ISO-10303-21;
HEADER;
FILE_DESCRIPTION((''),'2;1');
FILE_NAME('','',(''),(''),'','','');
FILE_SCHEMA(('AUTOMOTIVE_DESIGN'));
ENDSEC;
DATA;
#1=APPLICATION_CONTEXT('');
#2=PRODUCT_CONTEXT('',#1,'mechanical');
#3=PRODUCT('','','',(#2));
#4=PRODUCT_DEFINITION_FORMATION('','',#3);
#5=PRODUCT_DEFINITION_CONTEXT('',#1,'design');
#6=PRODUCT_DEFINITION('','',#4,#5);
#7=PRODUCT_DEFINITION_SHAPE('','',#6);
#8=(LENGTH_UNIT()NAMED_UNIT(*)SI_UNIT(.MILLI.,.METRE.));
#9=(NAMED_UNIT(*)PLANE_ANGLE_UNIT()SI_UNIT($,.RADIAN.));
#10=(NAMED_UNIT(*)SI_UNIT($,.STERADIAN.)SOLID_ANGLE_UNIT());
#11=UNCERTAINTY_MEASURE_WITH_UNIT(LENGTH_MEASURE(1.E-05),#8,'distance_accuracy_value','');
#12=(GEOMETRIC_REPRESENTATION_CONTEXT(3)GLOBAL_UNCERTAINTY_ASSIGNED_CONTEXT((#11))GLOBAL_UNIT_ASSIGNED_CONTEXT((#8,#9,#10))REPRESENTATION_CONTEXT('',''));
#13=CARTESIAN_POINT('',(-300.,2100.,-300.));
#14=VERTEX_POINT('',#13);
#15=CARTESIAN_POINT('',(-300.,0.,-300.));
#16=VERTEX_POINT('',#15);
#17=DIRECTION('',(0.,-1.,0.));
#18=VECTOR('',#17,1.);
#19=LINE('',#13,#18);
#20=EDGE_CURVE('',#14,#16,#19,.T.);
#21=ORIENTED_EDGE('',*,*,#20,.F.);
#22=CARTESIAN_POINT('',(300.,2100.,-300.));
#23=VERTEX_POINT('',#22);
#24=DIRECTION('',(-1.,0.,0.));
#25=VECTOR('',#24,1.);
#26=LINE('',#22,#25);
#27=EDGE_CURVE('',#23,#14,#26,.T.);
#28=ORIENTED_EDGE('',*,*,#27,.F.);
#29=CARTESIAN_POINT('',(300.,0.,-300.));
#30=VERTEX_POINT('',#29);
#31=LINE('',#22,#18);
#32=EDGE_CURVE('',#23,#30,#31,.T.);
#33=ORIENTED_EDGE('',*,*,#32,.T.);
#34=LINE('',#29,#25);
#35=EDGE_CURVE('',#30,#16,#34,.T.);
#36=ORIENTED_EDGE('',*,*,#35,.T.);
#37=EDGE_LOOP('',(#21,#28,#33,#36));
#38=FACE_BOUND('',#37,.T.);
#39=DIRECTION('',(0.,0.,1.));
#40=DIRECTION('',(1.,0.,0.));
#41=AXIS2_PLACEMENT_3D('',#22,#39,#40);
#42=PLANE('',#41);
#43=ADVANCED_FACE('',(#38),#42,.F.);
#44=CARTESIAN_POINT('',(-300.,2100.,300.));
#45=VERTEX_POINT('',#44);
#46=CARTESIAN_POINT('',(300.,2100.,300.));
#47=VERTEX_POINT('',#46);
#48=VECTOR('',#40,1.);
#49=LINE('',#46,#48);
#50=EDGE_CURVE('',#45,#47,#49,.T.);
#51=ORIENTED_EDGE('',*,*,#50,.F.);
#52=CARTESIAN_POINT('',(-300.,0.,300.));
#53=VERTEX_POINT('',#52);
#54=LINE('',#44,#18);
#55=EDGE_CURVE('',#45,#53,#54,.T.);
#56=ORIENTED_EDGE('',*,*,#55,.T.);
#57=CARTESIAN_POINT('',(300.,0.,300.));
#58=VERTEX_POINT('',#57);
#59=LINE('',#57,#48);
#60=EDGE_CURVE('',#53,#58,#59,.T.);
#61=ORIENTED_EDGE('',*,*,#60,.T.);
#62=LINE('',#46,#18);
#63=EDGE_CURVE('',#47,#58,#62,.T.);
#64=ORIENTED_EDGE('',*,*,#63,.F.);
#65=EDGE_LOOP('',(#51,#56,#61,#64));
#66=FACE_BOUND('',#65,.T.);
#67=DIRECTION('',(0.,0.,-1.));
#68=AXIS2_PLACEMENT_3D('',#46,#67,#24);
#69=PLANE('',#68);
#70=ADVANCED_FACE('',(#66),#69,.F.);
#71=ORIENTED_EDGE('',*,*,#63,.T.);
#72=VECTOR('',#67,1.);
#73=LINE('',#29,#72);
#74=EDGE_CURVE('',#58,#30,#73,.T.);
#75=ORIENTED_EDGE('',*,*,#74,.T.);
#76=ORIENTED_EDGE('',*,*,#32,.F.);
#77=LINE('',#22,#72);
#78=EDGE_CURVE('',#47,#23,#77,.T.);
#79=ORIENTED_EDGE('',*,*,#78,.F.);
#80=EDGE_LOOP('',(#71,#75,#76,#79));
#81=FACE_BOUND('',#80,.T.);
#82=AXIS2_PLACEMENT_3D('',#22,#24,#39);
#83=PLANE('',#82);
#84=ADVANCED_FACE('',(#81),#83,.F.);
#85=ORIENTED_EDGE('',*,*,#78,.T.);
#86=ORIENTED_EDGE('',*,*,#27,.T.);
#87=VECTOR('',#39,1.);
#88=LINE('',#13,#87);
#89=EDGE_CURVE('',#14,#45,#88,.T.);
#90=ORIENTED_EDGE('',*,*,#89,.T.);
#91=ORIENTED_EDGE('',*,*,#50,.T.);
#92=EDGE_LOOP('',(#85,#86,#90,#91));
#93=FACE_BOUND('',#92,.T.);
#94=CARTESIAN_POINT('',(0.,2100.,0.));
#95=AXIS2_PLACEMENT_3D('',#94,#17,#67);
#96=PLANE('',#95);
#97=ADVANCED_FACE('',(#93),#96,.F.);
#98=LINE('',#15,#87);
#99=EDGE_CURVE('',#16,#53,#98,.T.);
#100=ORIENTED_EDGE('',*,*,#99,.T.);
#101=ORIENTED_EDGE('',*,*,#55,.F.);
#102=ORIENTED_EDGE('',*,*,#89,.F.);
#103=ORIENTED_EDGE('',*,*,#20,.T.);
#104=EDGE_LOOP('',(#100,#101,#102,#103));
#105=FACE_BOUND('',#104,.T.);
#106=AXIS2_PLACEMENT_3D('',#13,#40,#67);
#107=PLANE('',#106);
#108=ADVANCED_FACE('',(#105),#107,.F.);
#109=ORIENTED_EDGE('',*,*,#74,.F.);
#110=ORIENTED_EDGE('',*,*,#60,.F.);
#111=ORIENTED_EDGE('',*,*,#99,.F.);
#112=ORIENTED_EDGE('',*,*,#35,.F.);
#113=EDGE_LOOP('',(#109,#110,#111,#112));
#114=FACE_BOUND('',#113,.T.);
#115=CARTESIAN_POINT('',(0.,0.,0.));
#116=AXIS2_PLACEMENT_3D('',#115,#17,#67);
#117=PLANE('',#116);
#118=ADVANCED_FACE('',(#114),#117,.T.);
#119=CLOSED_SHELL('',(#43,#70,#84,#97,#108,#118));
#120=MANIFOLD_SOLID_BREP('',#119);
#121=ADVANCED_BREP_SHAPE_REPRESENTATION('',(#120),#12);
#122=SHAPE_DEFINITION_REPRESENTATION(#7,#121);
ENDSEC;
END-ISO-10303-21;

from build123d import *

# Parameters (mm, degrees)
SKETCH_1_W      = 600
SKETCH_1_H      = 600
EXTRUDE_1_DEPTH = 2100


with BuildPart() as part:
    # Эскиз1 → Бобышка-Вытянуть1 (new body)
    with BuildSketch(Plane(origin=(0, 0, 0), x_dir=(1, 0, 0), z_dir=(0, 1, 0))):
        Rectangle(SKETCH_1_W, SKETCH_1_H)
    extrude(amount=EXTRUDE_1_DEPTH)


solid = part.part
